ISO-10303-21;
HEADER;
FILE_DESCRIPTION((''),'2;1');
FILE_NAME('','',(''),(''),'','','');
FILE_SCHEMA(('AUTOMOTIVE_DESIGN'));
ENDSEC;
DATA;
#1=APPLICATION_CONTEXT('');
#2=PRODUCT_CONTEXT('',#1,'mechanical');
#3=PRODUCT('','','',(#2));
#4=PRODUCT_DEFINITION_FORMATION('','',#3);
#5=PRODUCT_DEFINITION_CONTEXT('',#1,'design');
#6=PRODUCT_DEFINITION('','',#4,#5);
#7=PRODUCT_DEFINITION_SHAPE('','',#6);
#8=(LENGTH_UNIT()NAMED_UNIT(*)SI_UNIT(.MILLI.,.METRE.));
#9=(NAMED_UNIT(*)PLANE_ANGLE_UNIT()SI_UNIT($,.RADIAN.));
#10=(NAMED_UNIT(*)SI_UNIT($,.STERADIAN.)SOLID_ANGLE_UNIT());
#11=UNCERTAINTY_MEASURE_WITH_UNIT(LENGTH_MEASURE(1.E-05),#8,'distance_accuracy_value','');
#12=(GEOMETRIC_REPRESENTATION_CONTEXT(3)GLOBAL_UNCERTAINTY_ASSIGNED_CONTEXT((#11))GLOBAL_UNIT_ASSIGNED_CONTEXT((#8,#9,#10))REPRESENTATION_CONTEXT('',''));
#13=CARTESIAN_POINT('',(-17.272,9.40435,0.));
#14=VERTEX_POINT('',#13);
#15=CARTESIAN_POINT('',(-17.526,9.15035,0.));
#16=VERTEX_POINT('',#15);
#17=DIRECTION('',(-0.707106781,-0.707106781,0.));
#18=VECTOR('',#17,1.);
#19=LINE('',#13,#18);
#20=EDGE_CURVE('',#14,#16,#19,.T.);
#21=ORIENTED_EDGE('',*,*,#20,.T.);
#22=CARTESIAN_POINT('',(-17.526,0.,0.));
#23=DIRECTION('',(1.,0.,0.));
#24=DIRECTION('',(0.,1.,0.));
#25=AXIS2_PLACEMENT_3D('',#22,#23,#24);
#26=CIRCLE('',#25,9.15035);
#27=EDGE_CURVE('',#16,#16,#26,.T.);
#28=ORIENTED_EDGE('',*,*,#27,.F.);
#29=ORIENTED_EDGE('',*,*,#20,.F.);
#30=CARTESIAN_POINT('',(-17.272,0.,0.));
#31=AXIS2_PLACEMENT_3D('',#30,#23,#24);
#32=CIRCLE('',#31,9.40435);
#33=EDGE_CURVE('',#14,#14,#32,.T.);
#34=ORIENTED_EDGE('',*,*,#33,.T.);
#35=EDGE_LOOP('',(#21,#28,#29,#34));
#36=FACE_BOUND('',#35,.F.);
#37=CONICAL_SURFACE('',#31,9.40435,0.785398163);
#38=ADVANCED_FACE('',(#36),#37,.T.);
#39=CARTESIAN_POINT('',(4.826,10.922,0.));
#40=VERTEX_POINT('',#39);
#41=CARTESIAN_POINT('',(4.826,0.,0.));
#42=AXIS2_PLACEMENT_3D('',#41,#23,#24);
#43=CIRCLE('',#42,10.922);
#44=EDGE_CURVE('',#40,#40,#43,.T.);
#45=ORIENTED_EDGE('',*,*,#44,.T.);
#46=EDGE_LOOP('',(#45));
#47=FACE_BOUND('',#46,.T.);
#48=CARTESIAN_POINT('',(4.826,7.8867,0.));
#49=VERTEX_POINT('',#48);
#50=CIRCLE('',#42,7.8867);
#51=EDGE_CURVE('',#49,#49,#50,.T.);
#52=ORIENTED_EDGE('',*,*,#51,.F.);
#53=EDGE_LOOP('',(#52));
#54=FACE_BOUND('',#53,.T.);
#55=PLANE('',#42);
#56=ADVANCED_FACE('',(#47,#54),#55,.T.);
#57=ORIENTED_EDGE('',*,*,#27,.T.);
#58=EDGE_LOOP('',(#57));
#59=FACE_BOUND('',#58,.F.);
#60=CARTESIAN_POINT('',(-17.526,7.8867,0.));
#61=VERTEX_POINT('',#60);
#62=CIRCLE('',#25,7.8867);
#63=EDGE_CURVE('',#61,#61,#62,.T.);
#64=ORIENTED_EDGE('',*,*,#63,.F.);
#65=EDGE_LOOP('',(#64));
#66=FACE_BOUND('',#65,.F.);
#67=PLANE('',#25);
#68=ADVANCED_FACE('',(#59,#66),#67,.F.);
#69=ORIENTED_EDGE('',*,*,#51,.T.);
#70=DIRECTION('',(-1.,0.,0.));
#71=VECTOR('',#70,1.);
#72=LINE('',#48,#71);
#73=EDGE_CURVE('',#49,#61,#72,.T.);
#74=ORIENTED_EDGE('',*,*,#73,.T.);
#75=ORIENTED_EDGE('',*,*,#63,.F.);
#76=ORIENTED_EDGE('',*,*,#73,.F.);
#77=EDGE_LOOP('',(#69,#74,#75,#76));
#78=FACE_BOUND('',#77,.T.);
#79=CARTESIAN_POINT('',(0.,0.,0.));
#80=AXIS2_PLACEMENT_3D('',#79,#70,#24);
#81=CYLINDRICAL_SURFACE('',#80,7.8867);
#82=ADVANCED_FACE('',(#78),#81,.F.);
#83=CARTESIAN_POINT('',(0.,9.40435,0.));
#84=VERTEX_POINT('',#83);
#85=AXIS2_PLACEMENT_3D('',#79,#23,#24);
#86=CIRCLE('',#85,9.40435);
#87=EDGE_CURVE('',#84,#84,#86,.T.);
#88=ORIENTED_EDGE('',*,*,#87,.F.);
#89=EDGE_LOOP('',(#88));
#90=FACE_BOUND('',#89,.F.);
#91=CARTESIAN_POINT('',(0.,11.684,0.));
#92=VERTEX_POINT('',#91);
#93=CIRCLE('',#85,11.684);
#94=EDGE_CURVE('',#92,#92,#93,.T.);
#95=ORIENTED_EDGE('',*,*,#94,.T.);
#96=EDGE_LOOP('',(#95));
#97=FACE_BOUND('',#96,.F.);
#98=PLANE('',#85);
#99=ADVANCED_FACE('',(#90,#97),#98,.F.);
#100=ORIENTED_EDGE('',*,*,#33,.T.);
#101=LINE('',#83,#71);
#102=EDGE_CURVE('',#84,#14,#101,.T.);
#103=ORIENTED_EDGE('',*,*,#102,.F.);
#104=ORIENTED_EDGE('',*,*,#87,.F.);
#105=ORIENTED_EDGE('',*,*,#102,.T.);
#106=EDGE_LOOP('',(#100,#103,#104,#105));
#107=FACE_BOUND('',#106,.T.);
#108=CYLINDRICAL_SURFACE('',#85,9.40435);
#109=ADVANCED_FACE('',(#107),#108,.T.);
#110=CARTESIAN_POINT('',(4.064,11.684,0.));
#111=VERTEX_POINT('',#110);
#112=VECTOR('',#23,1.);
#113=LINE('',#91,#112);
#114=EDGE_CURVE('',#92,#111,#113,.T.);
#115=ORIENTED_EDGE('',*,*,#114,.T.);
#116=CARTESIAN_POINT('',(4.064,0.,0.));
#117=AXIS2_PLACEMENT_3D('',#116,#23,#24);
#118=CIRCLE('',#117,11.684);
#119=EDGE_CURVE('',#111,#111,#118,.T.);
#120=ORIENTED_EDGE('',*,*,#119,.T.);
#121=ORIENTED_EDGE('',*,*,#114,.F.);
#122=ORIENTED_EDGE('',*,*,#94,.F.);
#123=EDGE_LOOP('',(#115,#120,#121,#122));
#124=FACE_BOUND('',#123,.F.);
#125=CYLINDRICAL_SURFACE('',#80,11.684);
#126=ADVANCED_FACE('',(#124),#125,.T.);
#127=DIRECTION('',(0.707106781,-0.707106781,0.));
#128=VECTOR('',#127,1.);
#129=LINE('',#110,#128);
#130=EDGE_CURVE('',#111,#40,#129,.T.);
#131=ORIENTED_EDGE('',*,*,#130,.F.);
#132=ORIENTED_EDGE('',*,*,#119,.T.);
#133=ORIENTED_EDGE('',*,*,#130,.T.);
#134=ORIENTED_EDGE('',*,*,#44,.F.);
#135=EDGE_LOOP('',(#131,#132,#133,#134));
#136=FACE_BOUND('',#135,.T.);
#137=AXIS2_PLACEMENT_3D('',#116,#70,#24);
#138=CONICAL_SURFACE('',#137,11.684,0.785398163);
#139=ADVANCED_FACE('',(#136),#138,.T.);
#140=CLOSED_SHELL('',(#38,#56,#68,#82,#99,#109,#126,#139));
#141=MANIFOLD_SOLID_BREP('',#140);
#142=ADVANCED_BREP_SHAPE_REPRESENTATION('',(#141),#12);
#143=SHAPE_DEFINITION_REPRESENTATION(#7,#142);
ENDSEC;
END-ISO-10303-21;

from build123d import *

# Parameters (mm, degrees)
F0_R     = 11.684
F0_R_2   = 9.40435
F0_R_3   = 7.8867
F1_DEPTH = 4.826
F2_DEPTH = 17.526
F3_SIZE  = 0.762
F4_SIZE  = 0.254


with BuildPart() as f1:
    # F0 (on Right) → F1 (new body)
    with BuildSketch(Plane.YZ):
        Circle(F0_R)
        Circle(F0_R_2, mode=Mode.SUBTRACT)
        Circle(F0_R_2)
        Circle(F0_R_3, mode=Mode.SUBTRACT)
    extrude(amount=F1_DEPTH)

    # F0 (on Right) → F2 (join)
    with BuildSketch(Plane.YZ):
        Circle(F0_R_2)
        Circle(F0_R_3, mode=Mode.SUBTRACT)
    extrude(amount=-F2_DEPTH)

    # F3
    f3_edges = [f1.edges().sort_by_distance(p)[0] for p in [
        (4.826, -11.684, 0),
    ]]
    chamfer(f3_edges, length=F3_SIZE)

    # F4
    f4_edges = [f1.edges().sort_by_distance(p)[0] for p in [
        (-17.526, -9.40435, 0),
    ]]
    chamfer(f4_edges, length=F4_SIZE)


solid = f1.part
